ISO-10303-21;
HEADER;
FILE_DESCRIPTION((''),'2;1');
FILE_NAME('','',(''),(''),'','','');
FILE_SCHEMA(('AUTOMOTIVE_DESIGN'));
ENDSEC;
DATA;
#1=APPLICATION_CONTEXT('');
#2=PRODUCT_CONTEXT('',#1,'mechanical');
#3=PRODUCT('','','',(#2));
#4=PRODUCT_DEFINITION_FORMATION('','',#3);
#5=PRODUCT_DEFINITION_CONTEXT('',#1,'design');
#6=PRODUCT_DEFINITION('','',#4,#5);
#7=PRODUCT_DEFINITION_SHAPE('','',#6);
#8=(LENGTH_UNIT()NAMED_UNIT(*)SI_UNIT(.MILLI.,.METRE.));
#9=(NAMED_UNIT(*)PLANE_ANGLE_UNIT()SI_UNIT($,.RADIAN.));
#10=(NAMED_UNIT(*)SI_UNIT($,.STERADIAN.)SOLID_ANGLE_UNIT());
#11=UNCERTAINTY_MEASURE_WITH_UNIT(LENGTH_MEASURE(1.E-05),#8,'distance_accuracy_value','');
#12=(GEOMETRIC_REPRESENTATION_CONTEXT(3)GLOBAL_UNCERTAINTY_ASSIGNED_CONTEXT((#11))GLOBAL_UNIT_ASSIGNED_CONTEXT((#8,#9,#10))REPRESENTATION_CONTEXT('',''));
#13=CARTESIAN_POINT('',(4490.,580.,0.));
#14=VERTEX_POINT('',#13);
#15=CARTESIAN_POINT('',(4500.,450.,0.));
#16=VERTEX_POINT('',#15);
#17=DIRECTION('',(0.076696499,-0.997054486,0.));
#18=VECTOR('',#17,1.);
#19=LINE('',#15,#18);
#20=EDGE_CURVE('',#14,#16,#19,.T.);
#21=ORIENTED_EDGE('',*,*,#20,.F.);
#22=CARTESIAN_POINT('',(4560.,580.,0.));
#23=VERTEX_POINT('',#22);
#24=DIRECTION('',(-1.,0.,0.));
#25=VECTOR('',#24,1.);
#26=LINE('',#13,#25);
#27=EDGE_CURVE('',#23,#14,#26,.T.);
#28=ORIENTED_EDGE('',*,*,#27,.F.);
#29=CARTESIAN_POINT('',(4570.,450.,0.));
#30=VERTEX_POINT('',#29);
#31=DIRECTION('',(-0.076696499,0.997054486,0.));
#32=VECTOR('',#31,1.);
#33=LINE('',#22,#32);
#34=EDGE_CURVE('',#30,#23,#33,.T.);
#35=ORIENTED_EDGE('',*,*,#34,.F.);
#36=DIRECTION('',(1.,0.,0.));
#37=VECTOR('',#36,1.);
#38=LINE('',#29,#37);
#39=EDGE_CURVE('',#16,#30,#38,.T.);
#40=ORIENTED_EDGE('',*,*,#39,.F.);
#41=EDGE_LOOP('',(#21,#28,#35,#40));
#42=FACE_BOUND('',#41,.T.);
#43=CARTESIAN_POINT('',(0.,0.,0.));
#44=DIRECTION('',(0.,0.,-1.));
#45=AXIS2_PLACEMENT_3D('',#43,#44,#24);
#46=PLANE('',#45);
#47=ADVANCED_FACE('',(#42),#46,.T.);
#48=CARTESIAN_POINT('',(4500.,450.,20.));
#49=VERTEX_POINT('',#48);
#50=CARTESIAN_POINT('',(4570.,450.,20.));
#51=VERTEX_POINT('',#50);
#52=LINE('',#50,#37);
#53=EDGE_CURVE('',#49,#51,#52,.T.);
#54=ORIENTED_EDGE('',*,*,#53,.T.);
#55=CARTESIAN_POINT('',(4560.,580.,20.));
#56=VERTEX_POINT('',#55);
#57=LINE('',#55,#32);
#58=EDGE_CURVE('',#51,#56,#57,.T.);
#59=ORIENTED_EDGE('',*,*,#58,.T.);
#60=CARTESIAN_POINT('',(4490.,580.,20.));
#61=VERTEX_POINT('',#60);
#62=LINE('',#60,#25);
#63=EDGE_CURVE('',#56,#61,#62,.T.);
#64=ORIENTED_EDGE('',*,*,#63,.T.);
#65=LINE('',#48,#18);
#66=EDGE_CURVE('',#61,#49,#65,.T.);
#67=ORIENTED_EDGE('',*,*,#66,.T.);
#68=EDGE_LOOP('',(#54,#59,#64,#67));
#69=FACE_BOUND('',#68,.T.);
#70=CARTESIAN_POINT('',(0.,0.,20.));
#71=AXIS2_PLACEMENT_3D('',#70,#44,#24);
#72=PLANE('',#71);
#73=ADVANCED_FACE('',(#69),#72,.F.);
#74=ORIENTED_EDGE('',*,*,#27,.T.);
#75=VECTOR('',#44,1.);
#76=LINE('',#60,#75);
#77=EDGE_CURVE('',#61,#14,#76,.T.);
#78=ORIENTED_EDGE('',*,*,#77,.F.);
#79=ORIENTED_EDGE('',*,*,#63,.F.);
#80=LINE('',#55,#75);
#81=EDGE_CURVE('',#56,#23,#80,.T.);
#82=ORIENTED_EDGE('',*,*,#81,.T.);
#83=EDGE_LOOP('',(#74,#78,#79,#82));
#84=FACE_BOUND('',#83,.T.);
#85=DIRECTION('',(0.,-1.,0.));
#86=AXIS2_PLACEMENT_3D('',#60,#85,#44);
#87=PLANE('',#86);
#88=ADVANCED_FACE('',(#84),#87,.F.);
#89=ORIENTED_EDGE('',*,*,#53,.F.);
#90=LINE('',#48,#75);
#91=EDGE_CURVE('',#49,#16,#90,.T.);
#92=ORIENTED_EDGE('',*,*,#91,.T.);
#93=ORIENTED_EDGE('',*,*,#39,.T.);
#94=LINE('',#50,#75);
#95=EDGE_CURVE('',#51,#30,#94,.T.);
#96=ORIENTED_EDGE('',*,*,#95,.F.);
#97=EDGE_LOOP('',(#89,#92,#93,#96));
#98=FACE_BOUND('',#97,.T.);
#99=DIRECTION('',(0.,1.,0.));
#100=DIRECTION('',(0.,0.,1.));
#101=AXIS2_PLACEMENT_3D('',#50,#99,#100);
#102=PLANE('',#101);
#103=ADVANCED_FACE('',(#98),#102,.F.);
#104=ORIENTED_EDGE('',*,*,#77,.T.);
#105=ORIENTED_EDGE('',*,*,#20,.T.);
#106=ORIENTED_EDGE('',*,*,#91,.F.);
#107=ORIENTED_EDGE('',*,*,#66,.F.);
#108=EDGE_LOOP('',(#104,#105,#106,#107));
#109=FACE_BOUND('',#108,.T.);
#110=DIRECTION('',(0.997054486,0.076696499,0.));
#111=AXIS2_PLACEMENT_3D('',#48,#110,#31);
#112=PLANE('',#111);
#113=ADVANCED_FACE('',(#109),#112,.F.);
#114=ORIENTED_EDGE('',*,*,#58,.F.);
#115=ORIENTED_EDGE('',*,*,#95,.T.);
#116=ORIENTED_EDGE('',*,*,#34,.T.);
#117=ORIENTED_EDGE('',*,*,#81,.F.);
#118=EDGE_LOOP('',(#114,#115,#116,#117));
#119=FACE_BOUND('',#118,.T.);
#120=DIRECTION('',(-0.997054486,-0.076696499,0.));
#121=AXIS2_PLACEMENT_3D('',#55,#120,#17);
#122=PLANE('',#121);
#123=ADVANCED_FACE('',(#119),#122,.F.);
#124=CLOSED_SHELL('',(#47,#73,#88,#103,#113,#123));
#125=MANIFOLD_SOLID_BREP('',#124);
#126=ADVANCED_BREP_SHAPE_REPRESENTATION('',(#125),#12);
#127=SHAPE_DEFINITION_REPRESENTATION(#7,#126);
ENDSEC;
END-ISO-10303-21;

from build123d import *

# Parameters (mm, degrees)
BOSS_EXTRUDE1_DEPTH = 20


with BuildPart() as part:
    # Sketch1 → Boss-Extrude1 (new body)
    with BuildSketch(Plane.XY):
        Polygon((4500, 450), (4490, 580), (4560, 580), (4570, 450), align=None)
    extrude(amount=BOSS_EXTRUDE1_DEPTH)


solid = part.part
